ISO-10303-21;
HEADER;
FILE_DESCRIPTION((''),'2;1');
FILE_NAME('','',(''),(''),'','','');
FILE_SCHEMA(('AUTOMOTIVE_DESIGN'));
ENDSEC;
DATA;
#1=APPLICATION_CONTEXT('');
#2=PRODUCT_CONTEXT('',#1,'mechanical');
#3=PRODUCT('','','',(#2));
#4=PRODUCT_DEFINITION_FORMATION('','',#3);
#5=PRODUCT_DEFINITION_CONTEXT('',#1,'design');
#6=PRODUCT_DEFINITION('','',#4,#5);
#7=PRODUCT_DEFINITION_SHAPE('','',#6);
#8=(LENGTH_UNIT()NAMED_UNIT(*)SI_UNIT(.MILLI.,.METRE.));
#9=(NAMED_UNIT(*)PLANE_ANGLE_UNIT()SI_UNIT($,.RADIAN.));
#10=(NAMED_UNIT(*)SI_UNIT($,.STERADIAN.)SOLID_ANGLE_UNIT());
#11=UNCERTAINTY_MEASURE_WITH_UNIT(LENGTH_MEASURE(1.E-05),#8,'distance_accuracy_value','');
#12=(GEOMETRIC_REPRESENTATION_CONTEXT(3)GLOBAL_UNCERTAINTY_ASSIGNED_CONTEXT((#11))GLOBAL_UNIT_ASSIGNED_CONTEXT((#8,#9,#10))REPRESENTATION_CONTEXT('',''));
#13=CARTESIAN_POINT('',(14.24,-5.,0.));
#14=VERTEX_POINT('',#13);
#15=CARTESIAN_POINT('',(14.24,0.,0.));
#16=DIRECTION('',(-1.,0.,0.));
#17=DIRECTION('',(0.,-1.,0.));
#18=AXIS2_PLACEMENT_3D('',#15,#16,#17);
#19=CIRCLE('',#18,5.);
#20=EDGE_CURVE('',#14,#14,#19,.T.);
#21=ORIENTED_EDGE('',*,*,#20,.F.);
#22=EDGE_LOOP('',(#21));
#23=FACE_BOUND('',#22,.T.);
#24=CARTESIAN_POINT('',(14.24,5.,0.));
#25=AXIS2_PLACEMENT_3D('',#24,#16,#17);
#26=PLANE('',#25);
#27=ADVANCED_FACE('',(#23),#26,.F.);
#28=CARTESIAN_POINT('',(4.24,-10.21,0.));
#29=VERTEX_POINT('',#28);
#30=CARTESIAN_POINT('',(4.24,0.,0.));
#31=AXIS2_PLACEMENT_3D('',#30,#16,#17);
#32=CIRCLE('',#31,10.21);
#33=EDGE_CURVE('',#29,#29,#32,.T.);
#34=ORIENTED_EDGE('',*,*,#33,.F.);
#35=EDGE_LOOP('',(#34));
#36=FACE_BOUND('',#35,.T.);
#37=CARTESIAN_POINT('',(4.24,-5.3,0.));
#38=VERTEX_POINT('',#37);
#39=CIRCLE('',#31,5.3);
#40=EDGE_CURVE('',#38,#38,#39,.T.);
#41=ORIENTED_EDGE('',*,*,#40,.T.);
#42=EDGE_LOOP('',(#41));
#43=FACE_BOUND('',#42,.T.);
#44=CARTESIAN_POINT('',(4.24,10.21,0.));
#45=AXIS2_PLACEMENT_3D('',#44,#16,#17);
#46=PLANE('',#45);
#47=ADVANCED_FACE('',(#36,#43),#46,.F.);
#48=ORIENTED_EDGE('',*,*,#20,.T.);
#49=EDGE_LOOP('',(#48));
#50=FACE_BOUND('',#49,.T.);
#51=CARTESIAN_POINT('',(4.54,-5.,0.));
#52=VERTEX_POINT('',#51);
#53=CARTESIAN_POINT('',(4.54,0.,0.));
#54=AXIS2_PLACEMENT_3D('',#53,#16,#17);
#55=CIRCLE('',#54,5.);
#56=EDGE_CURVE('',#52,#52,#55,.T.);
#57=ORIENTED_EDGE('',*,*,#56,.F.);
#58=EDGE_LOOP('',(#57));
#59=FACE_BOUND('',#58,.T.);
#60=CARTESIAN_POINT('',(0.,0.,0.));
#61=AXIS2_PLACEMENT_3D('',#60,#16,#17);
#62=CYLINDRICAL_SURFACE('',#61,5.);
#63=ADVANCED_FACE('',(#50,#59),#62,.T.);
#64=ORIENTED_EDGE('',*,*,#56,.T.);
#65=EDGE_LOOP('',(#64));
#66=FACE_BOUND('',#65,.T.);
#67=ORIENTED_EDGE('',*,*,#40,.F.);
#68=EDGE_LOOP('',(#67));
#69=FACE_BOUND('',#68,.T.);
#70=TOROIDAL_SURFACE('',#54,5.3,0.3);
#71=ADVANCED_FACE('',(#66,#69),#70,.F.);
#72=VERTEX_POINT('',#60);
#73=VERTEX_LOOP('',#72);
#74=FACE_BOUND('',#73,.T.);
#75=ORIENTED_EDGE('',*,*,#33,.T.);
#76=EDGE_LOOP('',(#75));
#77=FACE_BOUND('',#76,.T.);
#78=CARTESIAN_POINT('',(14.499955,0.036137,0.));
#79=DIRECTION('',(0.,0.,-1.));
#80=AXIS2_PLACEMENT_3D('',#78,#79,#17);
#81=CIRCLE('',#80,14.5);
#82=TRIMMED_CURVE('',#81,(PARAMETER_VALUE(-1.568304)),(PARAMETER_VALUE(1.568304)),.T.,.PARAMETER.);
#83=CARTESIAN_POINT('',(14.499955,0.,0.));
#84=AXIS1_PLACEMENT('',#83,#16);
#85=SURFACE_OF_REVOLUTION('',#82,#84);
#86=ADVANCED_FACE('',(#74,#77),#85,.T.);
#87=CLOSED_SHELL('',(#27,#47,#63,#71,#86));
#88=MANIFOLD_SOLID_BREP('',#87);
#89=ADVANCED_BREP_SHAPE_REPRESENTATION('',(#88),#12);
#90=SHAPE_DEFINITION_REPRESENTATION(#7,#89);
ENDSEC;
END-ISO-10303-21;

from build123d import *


with BuildPart() as part:
    # 草图1 → 旋转1 (revolve)
    with BuildSketch(Plane.XY, mode=Mode.PRIVATE) as revolve_1_sk:
        with BuildLine():
            Line((4.24, 10.21), (4.24, 5.3))
            ThreePointArc((4.24, 5.3), (4.327867966, 5.087867966), (4.54, 5))
            Line((4.54, 5), (14.24, 5))
            Line((14.24, 5), (14.24, 0))
            Line((14.24, 0), (0, 0))
            ThreePointArc((0, 0), (1.108752259, 5.52495009), (4.24, 10.21))
        make_face()
    revolve(revolve_1_sk.sketch.rotate(Axis((0, 0, 0), (1, 0, 0)), 180), axis=Axis((0, 0, 0), (1, 0, 0)))


solid = part.part
